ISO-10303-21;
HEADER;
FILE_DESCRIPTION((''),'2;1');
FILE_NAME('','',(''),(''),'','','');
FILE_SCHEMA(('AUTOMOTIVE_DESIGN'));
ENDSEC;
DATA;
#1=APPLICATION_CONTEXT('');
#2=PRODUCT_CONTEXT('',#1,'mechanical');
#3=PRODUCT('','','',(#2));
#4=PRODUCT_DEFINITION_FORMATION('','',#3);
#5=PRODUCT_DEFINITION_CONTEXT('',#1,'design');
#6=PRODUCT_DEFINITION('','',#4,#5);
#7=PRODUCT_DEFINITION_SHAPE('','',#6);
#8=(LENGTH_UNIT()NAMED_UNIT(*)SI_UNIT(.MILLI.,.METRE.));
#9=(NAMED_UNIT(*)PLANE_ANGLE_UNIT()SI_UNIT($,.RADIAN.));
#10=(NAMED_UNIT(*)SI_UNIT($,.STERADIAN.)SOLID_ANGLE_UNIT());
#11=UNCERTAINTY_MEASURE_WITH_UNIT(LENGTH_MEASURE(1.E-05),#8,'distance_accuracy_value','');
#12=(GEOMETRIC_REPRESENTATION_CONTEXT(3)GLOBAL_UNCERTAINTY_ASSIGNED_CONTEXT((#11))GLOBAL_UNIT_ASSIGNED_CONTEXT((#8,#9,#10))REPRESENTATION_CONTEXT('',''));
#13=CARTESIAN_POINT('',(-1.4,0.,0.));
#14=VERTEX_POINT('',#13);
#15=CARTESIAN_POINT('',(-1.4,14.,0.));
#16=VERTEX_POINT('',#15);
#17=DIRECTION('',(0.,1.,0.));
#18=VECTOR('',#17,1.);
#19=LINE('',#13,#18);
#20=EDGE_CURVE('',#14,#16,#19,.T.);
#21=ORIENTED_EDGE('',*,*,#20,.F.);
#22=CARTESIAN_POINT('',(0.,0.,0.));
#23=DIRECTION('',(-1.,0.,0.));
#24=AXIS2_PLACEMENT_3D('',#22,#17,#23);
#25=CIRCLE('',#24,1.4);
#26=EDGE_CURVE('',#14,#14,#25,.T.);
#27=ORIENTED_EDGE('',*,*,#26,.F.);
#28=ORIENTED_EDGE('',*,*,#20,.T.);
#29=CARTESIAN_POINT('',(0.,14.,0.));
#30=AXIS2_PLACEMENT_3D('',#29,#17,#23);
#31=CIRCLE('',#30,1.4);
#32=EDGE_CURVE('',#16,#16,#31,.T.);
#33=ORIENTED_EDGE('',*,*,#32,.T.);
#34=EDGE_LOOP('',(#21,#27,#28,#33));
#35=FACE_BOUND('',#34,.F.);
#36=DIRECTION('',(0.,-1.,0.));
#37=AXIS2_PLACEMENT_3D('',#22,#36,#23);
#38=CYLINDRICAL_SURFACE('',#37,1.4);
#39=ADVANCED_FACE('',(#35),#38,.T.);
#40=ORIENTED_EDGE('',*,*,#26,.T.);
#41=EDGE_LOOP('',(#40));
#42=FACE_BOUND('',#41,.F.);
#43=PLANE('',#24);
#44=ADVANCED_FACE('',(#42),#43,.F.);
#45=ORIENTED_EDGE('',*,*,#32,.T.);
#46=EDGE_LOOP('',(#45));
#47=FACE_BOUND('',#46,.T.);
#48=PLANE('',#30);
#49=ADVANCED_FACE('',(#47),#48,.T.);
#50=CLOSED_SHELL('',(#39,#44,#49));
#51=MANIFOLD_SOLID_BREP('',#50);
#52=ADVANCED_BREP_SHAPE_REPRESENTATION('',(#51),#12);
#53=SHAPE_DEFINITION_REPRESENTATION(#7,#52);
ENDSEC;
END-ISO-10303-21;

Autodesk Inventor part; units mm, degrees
ref_plane "YZ Plane" through (0, 0, 0) normal (1, 0, 0) x (0, 1, 0)
ref_plane "XZ Plane" through (0, 0, 0) normal (0, 1, 0) x (-1, 0, 0)
ref_plane "XY Plane" through (0, 0, 0) normal (0, 0, 1) x (1, 0, 0)
sketch "Szkic1" plane through (0, 0, 0) normal (0, 1, 0) x (-1, 0, 0)
  circle A0 centre (0, 0) radius 1.4
  dimension "d0" = 2.8
extrude "Wyciągnięcie proste1" add sketch "Szkic1" along normal blind 14
properties part number "OS_NORMAL"
